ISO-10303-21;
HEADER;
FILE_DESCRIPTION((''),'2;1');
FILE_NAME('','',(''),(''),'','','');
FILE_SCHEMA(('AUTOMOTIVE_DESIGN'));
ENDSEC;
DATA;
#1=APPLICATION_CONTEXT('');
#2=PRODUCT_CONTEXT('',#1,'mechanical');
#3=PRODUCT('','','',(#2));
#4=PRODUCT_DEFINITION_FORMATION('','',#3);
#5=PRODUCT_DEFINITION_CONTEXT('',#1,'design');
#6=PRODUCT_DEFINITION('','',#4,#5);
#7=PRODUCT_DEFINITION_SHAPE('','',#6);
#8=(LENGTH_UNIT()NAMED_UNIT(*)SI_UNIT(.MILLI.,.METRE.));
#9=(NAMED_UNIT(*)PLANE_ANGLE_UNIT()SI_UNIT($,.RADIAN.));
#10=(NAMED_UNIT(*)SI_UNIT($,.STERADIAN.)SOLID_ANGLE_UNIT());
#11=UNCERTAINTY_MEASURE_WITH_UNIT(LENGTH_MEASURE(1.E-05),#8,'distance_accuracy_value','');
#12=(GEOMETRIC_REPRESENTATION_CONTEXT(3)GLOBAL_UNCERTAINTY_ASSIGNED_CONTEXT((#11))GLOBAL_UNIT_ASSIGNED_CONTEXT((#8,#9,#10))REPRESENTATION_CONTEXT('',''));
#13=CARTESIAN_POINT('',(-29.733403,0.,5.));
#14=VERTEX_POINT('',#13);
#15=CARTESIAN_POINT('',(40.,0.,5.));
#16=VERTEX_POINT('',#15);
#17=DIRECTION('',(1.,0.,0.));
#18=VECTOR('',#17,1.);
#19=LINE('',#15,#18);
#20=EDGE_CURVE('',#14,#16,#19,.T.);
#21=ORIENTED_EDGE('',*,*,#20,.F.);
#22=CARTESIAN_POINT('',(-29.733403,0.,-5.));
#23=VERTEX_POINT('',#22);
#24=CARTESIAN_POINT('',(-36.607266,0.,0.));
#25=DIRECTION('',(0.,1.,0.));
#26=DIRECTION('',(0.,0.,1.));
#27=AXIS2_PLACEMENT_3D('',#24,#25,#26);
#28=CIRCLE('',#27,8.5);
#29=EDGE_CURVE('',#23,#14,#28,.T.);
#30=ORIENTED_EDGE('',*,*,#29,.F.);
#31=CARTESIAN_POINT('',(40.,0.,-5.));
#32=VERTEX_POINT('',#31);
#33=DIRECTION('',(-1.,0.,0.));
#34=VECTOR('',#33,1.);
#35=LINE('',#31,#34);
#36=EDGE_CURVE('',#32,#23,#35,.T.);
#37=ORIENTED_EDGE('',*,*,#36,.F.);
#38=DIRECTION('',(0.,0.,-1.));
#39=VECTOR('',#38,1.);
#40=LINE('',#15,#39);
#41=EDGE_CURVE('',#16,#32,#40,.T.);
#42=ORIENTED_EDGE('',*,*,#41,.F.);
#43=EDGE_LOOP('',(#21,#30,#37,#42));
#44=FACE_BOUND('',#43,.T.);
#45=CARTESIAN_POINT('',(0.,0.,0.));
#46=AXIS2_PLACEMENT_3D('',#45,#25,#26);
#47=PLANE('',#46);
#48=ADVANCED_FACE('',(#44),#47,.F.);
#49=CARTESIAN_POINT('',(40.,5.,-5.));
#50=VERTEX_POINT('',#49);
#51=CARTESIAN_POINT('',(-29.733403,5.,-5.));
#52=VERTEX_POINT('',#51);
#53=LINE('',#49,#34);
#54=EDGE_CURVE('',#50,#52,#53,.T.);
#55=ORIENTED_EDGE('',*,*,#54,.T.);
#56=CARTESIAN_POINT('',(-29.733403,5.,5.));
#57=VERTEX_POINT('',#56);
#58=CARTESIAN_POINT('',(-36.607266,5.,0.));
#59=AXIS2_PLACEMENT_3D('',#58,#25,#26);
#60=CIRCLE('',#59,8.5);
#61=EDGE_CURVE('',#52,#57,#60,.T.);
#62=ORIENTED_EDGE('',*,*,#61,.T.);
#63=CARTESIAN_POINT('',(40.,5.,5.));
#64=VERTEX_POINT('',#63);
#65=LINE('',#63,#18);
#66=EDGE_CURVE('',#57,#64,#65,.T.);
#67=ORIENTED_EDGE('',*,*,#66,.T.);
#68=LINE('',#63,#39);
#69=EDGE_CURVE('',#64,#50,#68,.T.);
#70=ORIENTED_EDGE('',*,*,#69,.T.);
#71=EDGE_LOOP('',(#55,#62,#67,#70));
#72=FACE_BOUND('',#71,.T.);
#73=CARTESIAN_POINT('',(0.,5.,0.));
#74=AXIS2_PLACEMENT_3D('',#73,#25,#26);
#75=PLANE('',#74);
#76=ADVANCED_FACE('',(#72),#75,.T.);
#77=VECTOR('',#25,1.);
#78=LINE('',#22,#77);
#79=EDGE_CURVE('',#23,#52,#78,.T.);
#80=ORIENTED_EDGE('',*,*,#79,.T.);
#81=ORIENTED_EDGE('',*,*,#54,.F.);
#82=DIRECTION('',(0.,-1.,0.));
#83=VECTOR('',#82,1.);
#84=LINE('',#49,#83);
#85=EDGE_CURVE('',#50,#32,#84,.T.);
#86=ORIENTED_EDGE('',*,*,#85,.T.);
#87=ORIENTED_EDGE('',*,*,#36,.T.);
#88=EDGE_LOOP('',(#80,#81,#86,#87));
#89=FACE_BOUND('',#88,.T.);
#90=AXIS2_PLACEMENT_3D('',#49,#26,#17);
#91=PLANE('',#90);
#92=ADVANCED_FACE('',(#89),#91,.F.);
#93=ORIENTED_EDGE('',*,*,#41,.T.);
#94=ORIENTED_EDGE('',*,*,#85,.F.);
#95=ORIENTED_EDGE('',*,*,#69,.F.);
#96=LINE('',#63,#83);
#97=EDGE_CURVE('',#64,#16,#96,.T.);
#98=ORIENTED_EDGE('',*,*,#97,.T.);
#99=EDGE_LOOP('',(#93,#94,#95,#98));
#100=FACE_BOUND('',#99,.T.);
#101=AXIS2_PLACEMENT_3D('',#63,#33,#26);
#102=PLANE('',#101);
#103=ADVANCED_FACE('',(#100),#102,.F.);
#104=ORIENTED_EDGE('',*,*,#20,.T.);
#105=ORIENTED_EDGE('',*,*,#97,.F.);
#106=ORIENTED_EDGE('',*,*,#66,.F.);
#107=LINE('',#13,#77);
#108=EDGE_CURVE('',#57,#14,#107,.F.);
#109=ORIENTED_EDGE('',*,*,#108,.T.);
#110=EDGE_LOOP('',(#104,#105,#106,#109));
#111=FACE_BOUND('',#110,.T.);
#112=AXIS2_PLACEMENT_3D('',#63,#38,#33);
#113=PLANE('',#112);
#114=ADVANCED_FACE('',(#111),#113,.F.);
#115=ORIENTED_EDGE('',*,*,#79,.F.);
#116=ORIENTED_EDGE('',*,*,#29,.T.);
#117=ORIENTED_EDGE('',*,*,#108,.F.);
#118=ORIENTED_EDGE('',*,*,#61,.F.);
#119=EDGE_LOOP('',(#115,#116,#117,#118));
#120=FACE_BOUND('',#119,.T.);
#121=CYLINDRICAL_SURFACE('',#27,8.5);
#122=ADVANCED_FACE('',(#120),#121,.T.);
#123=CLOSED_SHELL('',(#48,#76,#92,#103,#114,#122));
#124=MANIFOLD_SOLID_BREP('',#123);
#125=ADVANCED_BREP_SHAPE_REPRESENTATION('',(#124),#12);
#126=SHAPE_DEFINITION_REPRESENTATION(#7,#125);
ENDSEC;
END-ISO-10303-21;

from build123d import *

# Parameters (mm, degrees)
ESQUISSE4_W        = 80
ESQUISSE4_H        = 10
BOSS_EXTRU_3_DEPTH = 5
ESQUISSE5_R        = 8.5
BOSS_EXTRU_5_DEPTH = 5


with BuildPart() as part:
    # Esquisse4 → Boss.-Extru.3 (new body)
    with BuildSketch(Plane(origin=(0, 0, 0), x_dir=(1, 0, 0), z_dir=(0, 1, 0))):
        Rectangle(ESQUISSE4_W, ESQUISSE4_H)
    extrude(amount=BOSS_EXTRU_3_DEPTH)

    # Esquisse5 → Boss.-Extru.5 (add)
    with BuildSketch(Plane(origin=(0, 5, 0), x_dir=(1, 0, 0), z_dir=(0, 1, 0))):
        with Locations((-36.607266223, 0)):
            Circle(ESQUISSE5_R)
    extrude(amount=-BOSS_EXTRU_5_DEPTH)


solid = part.part
